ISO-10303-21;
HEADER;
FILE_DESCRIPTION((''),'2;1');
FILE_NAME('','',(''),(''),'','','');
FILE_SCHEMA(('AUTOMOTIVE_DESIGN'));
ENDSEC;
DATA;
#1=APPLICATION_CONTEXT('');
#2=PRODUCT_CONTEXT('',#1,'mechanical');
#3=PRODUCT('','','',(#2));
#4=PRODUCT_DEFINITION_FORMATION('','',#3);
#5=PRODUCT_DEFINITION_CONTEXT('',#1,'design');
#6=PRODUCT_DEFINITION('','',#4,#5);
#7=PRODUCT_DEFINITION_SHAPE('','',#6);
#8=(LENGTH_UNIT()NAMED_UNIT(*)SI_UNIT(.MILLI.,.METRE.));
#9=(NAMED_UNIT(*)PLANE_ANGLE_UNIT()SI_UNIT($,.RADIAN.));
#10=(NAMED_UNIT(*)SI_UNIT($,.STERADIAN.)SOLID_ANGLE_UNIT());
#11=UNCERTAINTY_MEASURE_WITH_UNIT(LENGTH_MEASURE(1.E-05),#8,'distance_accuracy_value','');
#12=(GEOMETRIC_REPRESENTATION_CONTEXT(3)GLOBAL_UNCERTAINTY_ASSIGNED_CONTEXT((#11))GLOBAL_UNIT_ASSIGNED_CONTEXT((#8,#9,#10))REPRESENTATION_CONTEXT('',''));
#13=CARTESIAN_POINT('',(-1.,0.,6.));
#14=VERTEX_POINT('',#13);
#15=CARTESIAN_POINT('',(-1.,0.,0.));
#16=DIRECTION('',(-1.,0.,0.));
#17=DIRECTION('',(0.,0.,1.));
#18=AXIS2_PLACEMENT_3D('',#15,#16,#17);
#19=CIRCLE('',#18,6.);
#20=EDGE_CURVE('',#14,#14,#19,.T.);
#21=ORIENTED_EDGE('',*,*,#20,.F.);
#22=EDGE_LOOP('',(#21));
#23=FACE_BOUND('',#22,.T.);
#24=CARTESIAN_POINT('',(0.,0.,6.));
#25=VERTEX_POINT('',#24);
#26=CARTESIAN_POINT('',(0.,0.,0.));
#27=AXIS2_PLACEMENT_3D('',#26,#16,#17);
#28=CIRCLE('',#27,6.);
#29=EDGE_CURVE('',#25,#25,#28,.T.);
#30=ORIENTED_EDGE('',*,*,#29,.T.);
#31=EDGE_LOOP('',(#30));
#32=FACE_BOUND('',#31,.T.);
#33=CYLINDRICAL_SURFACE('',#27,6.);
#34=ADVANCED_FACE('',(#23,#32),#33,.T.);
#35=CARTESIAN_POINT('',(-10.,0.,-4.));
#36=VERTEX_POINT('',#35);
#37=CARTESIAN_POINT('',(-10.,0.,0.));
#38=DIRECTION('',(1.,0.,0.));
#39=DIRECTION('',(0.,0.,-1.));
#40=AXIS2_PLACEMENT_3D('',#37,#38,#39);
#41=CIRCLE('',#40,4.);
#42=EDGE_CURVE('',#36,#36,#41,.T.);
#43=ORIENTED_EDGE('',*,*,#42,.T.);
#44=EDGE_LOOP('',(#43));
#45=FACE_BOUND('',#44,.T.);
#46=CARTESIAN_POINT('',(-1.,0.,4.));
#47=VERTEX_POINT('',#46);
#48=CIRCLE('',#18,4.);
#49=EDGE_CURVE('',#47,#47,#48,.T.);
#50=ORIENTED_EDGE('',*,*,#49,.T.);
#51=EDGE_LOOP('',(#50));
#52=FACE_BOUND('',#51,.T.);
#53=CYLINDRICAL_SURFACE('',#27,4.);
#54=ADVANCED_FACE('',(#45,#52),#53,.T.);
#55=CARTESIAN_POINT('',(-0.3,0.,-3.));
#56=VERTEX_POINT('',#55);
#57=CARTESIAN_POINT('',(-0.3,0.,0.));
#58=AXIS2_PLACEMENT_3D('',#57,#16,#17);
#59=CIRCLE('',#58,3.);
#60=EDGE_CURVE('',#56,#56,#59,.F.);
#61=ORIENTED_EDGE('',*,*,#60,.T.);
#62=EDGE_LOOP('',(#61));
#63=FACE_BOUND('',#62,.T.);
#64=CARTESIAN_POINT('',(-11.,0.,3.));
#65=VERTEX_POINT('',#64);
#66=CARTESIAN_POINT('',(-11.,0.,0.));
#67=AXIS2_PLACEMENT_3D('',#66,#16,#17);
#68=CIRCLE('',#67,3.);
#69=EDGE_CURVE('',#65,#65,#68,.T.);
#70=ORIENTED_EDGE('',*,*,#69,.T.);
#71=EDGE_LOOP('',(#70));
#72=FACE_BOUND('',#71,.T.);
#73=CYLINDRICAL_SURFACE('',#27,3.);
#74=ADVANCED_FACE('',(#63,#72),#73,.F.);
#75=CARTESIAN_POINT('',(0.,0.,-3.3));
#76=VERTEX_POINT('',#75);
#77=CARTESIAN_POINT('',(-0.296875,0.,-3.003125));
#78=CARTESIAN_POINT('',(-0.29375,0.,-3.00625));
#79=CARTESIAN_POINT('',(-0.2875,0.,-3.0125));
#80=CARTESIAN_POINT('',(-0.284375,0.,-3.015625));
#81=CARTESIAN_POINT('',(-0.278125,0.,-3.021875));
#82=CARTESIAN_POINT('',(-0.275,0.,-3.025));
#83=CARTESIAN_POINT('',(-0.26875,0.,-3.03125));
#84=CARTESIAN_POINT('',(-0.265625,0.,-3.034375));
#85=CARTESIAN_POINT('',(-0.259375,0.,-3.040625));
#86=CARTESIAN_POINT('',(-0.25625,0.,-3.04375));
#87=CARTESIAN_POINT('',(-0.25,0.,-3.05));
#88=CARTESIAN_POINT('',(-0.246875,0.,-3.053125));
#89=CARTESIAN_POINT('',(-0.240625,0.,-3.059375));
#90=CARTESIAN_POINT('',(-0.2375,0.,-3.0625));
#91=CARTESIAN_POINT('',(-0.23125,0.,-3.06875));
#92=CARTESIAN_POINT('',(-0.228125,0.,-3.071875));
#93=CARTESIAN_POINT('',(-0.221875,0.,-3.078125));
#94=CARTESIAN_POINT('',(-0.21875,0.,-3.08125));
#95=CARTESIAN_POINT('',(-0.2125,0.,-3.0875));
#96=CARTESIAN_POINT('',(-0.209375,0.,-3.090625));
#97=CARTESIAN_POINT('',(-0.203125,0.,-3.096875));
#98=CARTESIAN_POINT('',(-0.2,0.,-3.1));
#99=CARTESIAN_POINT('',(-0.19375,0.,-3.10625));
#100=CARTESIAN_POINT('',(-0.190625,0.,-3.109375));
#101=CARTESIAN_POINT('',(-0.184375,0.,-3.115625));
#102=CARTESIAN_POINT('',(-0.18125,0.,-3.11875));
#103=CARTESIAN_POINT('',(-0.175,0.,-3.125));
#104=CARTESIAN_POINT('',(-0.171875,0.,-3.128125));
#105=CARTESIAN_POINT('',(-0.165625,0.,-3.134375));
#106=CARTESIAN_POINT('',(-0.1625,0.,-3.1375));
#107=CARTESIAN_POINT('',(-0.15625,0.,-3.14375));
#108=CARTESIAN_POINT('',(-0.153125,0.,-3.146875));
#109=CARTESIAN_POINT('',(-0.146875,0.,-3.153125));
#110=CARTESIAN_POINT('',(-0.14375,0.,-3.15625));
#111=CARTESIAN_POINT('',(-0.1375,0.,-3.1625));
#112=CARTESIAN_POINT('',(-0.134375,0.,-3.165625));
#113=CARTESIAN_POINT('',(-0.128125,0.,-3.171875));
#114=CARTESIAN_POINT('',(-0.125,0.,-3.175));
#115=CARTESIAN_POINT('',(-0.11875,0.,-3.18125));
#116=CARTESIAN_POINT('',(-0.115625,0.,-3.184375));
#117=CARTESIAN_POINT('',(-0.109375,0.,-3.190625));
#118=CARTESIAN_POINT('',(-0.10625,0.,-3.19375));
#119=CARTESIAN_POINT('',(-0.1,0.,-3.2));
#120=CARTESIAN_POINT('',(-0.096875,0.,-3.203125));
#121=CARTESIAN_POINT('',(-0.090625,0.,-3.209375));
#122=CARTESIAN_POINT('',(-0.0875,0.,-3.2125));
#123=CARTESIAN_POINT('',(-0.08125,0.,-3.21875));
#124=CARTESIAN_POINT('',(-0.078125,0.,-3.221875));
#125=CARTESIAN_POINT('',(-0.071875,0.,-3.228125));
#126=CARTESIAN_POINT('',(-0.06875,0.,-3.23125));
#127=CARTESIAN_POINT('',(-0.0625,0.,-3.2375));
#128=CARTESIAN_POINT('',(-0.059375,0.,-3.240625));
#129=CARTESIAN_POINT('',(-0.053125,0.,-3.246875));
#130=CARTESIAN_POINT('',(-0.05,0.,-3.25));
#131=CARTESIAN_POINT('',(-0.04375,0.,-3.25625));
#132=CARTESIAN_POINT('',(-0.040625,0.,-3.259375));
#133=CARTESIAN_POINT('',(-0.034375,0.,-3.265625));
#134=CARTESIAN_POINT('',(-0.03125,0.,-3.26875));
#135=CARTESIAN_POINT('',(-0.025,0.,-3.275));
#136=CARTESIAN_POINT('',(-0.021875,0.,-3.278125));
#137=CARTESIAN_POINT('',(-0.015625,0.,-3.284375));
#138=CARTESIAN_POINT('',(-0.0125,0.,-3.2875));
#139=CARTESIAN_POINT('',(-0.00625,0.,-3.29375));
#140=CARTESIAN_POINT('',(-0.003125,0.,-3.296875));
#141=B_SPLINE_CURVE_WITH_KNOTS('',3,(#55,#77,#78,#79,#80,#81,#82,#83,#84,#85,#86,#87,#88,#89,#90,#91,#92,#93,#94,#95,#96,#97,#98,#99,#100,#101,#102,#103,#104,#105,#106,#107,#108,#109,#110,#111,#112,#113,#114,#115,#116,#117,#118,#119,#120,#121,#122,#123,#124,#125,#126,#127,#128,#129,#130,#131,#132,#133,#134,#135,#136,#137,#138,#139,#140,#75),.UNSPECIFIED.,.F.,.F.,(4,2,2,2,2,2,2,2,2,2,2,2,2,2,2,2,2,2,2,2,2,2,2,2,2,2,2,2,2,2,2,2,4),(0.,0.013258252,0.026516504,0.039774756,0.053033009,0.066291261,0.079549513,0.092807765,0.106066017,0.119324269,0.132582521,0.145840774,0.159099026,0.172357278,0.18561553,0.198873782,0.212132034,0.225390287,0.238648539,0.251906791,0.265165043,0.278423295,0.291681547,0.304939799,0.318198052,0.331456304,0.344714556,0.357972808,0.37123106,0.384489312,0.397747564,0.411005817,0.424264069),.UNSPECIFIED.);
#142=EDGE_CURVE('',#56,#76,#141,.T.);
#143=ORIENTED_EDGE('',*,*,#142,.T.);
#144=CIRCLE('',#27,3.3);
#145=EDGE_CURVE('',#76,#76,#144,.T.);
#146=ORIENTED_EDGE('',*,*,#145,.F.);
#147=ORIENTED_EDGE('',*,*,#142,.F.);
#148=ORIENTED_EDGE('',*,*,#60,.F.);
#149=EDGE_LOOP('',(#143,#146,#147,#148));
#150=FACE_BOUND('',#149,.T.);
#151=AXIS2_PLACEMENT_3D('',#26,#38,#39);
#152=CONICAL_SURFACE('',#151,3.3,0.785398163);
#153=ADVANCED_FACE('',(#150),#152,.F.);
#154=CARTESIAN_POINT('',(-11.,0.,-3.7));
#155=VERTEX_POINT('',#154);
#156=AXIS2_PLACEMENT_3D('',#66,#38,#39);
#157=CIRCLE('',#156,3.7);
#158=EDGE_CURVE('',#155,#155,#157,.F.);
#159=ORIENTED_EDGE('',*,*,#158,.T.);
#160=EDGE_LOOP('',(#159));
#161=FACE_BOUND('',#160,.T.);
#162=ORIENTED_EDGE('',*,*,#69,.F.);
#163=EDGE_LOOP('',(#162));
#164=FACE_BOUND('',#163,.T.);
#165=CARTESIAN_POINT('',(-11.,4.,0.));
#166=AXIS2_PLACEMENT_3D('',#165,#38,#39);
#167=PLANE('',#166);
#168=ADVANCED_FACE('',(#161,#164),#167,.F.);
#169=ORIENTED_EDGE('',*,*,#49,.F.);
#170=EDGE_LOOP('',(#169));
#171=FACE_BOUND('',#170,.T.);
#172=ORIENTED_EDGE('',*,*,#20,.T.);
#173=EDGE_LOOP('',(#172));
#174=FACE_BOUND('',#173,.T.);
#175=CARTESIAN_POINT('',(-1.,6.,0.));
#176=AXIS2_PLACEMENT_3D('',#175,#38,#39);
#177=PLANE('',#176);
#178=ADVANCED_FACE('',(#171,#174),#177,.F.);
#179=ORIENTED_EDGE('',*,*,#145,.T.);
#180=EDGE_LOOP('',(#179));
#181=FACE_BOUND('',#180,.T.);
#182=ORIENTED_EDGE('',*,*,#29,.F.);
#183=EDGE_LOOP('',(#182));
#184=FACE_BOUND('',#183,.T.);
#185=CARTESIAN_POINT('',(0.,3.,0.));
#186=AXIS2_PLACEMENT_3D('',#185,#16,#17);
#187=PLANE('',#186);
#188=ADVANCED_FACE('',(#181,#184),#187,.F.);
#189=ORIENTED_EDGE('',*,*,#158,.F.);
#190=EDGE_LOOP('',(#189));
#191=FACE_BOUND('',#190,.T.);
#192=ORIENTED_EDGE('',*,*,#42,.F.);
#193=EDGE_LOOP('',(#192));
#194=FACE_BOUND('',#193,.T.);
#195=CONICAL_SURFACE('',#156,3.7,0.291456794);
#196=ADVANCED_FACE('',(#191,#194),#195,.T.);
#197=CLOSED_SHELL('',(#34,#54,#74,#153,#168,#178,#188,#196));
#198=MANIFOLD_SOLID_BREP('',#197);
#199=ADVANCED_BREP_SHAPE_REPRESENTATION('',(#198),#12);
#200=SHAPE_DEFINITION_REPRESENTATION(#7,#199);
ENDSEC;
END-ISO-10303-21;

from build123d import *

# Parameters (mm, degrees)
CHAMFER_1_SIZE  = 0.3
CHAMFER_2_SIZE  = 1
CHAMFER_2_SIZE2 = 0.3


with BuildPart() as part:
    # ｽｹｯﾁ1 → 回転1 (revolve)
    with BuildSketch(Plane.XY, mode=Mode.PRIVATE) as revolve_1_sk:
        Polygon((0, 3), (0, 6), (-1, 6), (-1, 4), (-11, 4), (-11, 3), align=None)
    revolve(revolve_1_sk.sketch.rotate(Axis((0, 0, 0), (1, 0, 0)), 90), axis=Axis((0, 0, 0), (1, 0, 0)))

    # 面取り1
    chamfer_1_edges = [part.edges().sort_by_distance(p)[0] for p in [
        (0, 0, -3),
    ]]
    chamfer(chamfer_1_edges, length=CHAMFER_1_SIZE)

    # 面取り2
    chamfer_2_edges = [part.edges().sort_by_distance(p)[0] for p in [
        (-11, 0, -4),
    ]]
    chamfer_2_side = [part.faces().sort_by_distance(p)[0] for p in [
        (-6, 0, -4),
    ]]
    chamfer(chamfer_2_edges, length=CHAMFER_2_SIZE, length2=CHAMFER_2_SIZE2, reference=chamfer_2_side[0])


solid = part.part
